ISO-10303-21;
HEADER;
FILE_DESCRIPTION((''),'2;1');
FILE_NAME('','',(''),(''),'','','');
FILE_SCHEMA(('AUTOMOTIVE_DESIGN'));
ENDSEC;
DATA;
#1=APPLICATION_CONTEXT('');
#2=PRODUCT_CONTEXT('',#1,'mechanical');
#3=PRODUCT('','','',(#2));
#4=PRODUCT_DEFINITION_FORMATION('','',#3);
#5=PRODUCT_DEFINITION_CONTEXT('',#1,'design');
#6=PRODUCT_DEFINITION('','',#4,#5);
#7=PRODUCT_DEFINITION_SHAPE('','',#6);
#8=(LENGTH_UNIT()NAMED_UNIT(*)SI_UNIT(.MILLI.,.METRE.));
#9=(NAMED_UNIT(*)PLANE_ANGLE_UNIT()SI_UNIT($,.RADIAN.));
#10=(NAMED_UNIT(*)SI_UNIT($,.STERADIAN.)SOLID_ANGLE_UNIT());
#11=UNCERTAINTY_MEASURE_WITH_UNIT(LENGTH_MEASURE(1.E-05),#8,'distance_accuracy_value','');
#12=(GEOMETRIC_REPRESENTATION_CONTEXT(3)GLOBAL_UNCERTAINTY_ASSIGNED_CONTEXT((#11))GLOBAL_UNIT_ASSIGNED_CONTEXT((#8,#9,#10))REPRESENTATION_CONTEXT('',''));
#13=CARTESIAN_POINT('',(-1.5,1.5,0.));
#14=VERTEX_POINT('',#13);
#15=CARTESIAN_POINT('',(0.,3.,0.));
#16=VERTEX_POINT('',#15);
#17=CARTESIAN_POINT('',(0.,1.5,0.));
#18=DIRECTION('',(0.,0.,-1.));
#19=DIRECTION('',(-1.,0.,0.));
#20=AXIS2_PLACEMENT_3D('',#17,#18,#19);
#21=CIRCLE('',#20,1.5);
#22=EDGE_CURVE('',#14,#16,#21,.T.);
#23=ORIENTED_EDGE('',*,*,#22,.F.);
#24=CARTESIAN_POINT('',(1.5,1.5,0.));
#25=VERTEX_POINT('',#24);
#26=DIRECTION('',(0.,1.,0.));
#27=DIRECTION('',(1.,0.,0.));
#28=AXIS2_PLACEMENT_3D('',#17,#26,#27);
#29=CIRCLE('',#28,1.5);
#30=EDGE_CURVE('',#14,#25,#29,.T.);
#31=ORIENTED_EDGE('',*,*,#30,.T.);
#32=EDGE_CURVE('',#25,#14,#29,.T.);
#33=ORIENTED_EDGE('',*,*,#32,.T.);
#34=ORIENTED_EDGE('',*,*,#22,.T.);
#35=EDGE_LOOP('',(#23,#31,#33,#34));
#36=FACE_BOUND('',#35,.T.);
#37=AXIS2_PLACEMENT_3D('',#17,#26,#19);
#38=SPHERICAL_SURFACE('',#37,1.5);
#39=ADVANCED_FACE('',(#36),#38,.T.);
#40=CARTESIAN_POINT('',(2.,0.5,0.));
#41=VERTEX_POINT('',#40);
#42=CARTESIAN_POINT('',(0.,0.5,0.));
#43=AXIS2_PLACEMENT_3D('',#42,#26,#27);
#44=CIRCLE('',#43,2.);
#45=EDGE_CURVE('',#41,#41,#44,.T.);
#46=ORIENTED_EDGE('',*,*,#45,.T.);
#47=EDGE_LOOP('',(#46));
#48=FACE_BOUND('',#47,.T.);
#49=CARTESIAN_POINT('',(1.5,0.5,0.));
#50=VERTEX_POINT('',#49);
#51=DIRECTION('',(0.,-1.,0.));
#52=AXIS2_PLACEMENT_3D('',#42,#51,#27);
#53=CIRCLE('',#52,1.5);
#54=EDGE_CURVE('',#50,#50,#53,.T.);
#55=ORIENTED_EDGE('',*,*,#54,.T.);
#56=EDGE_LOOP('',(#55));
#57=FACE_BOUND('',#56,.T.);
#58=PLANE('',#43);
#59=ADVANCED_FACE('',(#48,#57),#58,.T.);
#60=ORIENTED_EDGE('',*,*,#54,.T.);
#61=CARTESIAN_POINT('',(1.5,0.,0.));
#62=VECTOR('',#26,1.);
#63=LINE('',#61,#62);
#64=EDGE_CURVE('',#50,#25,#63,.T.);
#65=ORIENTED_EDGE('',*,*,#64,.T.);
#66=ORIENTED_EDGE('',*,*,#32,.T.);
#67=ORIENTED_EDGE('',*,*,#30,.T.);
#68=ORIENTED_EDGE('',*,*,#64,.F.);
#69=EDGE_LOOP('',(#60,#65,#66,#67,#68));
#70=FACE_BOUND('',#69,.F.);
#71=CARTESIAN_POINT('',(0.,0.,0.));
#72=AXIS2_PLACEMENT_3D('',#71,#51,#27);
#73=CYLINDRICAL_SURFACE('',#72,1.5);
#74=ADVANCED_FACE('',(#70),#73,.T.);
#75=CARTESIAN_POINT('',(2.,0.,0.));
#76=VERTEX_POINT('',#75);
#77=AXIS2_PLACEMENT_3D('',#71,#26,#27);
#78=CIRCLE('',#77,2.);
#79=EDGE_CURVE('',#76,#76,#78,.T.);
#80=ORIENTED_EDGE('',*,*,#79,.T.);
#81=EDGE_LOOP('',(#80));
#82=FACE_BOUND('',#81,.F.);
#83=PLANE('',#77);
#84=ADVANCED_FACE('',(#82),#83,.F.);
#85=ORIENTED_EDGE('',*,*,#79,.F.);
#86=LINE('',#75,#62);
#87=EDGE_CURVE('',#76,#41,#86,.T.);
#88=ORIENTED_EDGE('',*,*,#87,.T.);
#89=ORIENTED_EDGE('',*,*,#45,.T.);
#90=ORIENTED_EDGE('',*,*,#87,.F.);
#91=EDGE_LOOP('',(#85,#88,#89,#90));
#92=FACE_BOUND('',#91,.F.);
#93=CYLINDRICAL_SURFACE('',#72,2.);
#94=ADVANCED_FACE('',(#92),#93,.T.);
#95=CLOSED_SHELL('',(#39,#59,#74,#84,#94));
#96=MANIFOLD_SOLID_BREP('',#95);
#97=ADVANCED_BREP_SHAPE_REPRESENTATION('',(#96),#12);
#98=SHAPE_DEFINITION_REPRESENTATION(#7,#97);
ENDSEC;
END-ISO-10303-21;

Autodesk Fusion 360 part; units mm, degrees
sketch "Sketch1" plane through (0, 0, 0) normal (0, 1, 0) x (1, 0, 0)
  circle A0 centre (0, 0) radius 1.5
  circle A1 centre (0, 0) radius 2
  dimension "d1" = 3
  dimension "d2" = 4
extrude "Extrude1" add sketch "Sketch1" along normal blind 0.5 contours A0 | A1
extrude "Extrude2" add sketch "Sketch1" along normal blind 1.5 contours A0
sphere "SpherePrimitive1" add diameter 3 placed x (-1, 0, 0) y (0, 0, 1) z (0, 1, 0) at (0, 1.5, 0)
